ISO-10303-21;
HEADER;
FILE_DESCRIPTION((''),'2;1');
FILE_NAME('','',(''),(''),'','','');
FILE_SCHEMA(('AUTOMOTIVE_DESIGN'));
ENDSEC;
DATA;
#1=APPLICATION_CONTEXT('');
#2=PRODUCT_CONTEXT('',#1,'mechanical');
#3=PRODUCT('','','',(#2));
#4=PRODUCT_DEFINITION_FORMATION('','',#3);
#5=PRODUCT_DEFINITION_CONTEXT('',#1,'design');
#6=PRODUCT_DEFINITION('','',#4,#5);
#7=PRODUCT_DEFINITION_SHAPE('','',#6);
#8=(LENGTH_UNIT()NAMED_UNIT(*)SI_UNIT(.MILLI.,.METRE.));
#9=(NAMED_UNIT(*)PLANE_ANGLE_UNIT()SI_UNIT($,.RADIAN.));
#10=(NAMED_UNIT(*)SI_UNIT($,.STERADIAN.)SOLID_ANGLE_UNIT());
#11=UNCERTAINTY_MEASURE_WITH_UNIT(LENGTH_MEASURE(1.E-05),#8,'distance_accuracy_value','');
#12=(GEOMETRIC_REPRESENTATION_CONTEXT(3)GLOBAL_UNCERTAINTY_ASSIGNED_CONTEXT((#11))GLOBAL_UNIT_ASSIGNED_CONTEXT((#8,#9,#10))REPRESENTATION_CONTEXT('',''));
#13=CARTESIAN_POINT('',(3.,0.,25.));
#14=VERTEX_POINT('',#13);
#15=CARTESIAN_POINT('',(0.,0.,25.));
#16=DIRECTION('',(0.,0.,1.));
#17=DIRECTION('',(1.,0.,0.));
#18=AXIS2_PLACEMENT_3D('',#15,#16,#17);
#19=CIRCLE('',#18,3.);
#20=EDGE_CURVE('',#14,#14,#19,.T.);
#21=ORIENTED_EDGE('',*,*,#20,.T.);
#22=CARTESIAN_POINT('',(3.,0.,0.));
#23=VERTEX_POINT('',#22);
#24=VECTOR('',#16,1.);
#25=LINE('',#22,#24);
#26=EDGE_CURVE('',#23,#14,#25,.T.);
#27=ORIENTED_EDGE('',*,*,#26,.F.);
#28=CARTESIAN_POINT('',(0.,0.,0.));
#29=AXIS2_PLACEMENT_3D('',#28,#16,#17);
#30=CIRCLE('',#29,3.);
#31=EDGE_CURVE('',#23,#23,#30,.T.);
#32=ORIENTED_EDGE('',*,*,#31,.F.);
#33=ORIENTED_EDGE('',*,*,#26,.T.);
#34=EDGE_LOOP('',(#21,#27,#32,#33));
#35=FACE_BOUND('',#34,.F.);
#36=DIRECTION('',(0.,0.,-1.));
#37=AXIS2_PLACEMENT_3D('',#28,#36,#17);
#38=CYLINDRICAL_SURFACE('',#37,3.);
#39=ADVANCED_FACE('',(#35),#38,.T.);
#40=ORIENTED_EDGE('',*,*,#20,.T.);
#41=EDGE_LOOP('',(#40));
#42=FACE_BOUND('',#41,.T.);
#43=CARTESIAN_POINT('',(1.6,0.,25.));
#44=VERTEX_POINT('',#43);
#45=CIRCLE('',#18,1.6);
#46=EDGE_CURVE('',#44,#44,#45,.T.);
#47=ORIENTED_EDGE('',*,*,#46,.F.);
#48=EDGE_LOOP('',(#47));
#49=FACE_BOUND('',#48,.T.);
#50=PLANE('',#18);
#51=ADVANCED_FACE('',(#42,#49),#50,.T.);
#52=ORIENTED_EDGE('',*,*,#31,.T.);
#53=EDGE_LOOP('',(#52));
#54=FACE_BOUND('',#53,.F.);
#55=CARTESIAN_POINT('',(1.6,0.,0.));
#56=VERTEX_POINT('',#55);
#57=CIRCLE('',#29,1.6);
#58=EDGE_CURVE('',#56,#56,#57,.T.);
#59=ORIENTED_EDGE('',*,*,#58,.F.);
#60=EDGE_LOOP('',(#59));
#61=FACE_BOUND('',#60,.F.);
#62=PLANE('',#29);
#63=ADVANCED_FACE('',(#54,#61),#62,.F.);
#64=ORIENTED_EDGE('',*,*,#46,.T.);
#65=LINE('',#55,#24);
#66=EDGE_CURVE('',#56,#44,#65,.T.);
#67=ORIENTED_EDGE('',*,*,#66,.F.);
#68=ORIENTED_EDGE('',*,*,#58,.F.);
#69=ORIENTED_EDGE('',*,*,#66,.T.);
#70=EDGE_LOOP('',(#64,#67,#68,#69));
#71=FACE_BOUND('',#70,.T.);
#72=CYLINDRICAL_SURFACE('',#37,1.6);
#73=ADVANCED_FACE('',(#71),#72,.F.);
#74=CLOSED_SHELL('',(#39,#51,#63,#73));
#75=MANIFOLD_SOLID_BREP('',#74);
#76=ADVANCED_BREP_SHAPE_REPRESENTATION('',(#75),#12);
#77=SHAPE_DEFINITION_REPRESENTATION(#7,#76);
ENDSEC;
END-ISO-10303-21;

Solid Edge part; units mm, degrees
sketch "Sketch1" plane through (0, 0, 0) normal (0, 0, 1) x (1, 0, 0)
  circle A0 centre (0, 0) radius 3
  circle A1 centre (0, 0) radius 1.6
extrude "Protrusion1" add sketch "Sketch1" along normal blind 25
